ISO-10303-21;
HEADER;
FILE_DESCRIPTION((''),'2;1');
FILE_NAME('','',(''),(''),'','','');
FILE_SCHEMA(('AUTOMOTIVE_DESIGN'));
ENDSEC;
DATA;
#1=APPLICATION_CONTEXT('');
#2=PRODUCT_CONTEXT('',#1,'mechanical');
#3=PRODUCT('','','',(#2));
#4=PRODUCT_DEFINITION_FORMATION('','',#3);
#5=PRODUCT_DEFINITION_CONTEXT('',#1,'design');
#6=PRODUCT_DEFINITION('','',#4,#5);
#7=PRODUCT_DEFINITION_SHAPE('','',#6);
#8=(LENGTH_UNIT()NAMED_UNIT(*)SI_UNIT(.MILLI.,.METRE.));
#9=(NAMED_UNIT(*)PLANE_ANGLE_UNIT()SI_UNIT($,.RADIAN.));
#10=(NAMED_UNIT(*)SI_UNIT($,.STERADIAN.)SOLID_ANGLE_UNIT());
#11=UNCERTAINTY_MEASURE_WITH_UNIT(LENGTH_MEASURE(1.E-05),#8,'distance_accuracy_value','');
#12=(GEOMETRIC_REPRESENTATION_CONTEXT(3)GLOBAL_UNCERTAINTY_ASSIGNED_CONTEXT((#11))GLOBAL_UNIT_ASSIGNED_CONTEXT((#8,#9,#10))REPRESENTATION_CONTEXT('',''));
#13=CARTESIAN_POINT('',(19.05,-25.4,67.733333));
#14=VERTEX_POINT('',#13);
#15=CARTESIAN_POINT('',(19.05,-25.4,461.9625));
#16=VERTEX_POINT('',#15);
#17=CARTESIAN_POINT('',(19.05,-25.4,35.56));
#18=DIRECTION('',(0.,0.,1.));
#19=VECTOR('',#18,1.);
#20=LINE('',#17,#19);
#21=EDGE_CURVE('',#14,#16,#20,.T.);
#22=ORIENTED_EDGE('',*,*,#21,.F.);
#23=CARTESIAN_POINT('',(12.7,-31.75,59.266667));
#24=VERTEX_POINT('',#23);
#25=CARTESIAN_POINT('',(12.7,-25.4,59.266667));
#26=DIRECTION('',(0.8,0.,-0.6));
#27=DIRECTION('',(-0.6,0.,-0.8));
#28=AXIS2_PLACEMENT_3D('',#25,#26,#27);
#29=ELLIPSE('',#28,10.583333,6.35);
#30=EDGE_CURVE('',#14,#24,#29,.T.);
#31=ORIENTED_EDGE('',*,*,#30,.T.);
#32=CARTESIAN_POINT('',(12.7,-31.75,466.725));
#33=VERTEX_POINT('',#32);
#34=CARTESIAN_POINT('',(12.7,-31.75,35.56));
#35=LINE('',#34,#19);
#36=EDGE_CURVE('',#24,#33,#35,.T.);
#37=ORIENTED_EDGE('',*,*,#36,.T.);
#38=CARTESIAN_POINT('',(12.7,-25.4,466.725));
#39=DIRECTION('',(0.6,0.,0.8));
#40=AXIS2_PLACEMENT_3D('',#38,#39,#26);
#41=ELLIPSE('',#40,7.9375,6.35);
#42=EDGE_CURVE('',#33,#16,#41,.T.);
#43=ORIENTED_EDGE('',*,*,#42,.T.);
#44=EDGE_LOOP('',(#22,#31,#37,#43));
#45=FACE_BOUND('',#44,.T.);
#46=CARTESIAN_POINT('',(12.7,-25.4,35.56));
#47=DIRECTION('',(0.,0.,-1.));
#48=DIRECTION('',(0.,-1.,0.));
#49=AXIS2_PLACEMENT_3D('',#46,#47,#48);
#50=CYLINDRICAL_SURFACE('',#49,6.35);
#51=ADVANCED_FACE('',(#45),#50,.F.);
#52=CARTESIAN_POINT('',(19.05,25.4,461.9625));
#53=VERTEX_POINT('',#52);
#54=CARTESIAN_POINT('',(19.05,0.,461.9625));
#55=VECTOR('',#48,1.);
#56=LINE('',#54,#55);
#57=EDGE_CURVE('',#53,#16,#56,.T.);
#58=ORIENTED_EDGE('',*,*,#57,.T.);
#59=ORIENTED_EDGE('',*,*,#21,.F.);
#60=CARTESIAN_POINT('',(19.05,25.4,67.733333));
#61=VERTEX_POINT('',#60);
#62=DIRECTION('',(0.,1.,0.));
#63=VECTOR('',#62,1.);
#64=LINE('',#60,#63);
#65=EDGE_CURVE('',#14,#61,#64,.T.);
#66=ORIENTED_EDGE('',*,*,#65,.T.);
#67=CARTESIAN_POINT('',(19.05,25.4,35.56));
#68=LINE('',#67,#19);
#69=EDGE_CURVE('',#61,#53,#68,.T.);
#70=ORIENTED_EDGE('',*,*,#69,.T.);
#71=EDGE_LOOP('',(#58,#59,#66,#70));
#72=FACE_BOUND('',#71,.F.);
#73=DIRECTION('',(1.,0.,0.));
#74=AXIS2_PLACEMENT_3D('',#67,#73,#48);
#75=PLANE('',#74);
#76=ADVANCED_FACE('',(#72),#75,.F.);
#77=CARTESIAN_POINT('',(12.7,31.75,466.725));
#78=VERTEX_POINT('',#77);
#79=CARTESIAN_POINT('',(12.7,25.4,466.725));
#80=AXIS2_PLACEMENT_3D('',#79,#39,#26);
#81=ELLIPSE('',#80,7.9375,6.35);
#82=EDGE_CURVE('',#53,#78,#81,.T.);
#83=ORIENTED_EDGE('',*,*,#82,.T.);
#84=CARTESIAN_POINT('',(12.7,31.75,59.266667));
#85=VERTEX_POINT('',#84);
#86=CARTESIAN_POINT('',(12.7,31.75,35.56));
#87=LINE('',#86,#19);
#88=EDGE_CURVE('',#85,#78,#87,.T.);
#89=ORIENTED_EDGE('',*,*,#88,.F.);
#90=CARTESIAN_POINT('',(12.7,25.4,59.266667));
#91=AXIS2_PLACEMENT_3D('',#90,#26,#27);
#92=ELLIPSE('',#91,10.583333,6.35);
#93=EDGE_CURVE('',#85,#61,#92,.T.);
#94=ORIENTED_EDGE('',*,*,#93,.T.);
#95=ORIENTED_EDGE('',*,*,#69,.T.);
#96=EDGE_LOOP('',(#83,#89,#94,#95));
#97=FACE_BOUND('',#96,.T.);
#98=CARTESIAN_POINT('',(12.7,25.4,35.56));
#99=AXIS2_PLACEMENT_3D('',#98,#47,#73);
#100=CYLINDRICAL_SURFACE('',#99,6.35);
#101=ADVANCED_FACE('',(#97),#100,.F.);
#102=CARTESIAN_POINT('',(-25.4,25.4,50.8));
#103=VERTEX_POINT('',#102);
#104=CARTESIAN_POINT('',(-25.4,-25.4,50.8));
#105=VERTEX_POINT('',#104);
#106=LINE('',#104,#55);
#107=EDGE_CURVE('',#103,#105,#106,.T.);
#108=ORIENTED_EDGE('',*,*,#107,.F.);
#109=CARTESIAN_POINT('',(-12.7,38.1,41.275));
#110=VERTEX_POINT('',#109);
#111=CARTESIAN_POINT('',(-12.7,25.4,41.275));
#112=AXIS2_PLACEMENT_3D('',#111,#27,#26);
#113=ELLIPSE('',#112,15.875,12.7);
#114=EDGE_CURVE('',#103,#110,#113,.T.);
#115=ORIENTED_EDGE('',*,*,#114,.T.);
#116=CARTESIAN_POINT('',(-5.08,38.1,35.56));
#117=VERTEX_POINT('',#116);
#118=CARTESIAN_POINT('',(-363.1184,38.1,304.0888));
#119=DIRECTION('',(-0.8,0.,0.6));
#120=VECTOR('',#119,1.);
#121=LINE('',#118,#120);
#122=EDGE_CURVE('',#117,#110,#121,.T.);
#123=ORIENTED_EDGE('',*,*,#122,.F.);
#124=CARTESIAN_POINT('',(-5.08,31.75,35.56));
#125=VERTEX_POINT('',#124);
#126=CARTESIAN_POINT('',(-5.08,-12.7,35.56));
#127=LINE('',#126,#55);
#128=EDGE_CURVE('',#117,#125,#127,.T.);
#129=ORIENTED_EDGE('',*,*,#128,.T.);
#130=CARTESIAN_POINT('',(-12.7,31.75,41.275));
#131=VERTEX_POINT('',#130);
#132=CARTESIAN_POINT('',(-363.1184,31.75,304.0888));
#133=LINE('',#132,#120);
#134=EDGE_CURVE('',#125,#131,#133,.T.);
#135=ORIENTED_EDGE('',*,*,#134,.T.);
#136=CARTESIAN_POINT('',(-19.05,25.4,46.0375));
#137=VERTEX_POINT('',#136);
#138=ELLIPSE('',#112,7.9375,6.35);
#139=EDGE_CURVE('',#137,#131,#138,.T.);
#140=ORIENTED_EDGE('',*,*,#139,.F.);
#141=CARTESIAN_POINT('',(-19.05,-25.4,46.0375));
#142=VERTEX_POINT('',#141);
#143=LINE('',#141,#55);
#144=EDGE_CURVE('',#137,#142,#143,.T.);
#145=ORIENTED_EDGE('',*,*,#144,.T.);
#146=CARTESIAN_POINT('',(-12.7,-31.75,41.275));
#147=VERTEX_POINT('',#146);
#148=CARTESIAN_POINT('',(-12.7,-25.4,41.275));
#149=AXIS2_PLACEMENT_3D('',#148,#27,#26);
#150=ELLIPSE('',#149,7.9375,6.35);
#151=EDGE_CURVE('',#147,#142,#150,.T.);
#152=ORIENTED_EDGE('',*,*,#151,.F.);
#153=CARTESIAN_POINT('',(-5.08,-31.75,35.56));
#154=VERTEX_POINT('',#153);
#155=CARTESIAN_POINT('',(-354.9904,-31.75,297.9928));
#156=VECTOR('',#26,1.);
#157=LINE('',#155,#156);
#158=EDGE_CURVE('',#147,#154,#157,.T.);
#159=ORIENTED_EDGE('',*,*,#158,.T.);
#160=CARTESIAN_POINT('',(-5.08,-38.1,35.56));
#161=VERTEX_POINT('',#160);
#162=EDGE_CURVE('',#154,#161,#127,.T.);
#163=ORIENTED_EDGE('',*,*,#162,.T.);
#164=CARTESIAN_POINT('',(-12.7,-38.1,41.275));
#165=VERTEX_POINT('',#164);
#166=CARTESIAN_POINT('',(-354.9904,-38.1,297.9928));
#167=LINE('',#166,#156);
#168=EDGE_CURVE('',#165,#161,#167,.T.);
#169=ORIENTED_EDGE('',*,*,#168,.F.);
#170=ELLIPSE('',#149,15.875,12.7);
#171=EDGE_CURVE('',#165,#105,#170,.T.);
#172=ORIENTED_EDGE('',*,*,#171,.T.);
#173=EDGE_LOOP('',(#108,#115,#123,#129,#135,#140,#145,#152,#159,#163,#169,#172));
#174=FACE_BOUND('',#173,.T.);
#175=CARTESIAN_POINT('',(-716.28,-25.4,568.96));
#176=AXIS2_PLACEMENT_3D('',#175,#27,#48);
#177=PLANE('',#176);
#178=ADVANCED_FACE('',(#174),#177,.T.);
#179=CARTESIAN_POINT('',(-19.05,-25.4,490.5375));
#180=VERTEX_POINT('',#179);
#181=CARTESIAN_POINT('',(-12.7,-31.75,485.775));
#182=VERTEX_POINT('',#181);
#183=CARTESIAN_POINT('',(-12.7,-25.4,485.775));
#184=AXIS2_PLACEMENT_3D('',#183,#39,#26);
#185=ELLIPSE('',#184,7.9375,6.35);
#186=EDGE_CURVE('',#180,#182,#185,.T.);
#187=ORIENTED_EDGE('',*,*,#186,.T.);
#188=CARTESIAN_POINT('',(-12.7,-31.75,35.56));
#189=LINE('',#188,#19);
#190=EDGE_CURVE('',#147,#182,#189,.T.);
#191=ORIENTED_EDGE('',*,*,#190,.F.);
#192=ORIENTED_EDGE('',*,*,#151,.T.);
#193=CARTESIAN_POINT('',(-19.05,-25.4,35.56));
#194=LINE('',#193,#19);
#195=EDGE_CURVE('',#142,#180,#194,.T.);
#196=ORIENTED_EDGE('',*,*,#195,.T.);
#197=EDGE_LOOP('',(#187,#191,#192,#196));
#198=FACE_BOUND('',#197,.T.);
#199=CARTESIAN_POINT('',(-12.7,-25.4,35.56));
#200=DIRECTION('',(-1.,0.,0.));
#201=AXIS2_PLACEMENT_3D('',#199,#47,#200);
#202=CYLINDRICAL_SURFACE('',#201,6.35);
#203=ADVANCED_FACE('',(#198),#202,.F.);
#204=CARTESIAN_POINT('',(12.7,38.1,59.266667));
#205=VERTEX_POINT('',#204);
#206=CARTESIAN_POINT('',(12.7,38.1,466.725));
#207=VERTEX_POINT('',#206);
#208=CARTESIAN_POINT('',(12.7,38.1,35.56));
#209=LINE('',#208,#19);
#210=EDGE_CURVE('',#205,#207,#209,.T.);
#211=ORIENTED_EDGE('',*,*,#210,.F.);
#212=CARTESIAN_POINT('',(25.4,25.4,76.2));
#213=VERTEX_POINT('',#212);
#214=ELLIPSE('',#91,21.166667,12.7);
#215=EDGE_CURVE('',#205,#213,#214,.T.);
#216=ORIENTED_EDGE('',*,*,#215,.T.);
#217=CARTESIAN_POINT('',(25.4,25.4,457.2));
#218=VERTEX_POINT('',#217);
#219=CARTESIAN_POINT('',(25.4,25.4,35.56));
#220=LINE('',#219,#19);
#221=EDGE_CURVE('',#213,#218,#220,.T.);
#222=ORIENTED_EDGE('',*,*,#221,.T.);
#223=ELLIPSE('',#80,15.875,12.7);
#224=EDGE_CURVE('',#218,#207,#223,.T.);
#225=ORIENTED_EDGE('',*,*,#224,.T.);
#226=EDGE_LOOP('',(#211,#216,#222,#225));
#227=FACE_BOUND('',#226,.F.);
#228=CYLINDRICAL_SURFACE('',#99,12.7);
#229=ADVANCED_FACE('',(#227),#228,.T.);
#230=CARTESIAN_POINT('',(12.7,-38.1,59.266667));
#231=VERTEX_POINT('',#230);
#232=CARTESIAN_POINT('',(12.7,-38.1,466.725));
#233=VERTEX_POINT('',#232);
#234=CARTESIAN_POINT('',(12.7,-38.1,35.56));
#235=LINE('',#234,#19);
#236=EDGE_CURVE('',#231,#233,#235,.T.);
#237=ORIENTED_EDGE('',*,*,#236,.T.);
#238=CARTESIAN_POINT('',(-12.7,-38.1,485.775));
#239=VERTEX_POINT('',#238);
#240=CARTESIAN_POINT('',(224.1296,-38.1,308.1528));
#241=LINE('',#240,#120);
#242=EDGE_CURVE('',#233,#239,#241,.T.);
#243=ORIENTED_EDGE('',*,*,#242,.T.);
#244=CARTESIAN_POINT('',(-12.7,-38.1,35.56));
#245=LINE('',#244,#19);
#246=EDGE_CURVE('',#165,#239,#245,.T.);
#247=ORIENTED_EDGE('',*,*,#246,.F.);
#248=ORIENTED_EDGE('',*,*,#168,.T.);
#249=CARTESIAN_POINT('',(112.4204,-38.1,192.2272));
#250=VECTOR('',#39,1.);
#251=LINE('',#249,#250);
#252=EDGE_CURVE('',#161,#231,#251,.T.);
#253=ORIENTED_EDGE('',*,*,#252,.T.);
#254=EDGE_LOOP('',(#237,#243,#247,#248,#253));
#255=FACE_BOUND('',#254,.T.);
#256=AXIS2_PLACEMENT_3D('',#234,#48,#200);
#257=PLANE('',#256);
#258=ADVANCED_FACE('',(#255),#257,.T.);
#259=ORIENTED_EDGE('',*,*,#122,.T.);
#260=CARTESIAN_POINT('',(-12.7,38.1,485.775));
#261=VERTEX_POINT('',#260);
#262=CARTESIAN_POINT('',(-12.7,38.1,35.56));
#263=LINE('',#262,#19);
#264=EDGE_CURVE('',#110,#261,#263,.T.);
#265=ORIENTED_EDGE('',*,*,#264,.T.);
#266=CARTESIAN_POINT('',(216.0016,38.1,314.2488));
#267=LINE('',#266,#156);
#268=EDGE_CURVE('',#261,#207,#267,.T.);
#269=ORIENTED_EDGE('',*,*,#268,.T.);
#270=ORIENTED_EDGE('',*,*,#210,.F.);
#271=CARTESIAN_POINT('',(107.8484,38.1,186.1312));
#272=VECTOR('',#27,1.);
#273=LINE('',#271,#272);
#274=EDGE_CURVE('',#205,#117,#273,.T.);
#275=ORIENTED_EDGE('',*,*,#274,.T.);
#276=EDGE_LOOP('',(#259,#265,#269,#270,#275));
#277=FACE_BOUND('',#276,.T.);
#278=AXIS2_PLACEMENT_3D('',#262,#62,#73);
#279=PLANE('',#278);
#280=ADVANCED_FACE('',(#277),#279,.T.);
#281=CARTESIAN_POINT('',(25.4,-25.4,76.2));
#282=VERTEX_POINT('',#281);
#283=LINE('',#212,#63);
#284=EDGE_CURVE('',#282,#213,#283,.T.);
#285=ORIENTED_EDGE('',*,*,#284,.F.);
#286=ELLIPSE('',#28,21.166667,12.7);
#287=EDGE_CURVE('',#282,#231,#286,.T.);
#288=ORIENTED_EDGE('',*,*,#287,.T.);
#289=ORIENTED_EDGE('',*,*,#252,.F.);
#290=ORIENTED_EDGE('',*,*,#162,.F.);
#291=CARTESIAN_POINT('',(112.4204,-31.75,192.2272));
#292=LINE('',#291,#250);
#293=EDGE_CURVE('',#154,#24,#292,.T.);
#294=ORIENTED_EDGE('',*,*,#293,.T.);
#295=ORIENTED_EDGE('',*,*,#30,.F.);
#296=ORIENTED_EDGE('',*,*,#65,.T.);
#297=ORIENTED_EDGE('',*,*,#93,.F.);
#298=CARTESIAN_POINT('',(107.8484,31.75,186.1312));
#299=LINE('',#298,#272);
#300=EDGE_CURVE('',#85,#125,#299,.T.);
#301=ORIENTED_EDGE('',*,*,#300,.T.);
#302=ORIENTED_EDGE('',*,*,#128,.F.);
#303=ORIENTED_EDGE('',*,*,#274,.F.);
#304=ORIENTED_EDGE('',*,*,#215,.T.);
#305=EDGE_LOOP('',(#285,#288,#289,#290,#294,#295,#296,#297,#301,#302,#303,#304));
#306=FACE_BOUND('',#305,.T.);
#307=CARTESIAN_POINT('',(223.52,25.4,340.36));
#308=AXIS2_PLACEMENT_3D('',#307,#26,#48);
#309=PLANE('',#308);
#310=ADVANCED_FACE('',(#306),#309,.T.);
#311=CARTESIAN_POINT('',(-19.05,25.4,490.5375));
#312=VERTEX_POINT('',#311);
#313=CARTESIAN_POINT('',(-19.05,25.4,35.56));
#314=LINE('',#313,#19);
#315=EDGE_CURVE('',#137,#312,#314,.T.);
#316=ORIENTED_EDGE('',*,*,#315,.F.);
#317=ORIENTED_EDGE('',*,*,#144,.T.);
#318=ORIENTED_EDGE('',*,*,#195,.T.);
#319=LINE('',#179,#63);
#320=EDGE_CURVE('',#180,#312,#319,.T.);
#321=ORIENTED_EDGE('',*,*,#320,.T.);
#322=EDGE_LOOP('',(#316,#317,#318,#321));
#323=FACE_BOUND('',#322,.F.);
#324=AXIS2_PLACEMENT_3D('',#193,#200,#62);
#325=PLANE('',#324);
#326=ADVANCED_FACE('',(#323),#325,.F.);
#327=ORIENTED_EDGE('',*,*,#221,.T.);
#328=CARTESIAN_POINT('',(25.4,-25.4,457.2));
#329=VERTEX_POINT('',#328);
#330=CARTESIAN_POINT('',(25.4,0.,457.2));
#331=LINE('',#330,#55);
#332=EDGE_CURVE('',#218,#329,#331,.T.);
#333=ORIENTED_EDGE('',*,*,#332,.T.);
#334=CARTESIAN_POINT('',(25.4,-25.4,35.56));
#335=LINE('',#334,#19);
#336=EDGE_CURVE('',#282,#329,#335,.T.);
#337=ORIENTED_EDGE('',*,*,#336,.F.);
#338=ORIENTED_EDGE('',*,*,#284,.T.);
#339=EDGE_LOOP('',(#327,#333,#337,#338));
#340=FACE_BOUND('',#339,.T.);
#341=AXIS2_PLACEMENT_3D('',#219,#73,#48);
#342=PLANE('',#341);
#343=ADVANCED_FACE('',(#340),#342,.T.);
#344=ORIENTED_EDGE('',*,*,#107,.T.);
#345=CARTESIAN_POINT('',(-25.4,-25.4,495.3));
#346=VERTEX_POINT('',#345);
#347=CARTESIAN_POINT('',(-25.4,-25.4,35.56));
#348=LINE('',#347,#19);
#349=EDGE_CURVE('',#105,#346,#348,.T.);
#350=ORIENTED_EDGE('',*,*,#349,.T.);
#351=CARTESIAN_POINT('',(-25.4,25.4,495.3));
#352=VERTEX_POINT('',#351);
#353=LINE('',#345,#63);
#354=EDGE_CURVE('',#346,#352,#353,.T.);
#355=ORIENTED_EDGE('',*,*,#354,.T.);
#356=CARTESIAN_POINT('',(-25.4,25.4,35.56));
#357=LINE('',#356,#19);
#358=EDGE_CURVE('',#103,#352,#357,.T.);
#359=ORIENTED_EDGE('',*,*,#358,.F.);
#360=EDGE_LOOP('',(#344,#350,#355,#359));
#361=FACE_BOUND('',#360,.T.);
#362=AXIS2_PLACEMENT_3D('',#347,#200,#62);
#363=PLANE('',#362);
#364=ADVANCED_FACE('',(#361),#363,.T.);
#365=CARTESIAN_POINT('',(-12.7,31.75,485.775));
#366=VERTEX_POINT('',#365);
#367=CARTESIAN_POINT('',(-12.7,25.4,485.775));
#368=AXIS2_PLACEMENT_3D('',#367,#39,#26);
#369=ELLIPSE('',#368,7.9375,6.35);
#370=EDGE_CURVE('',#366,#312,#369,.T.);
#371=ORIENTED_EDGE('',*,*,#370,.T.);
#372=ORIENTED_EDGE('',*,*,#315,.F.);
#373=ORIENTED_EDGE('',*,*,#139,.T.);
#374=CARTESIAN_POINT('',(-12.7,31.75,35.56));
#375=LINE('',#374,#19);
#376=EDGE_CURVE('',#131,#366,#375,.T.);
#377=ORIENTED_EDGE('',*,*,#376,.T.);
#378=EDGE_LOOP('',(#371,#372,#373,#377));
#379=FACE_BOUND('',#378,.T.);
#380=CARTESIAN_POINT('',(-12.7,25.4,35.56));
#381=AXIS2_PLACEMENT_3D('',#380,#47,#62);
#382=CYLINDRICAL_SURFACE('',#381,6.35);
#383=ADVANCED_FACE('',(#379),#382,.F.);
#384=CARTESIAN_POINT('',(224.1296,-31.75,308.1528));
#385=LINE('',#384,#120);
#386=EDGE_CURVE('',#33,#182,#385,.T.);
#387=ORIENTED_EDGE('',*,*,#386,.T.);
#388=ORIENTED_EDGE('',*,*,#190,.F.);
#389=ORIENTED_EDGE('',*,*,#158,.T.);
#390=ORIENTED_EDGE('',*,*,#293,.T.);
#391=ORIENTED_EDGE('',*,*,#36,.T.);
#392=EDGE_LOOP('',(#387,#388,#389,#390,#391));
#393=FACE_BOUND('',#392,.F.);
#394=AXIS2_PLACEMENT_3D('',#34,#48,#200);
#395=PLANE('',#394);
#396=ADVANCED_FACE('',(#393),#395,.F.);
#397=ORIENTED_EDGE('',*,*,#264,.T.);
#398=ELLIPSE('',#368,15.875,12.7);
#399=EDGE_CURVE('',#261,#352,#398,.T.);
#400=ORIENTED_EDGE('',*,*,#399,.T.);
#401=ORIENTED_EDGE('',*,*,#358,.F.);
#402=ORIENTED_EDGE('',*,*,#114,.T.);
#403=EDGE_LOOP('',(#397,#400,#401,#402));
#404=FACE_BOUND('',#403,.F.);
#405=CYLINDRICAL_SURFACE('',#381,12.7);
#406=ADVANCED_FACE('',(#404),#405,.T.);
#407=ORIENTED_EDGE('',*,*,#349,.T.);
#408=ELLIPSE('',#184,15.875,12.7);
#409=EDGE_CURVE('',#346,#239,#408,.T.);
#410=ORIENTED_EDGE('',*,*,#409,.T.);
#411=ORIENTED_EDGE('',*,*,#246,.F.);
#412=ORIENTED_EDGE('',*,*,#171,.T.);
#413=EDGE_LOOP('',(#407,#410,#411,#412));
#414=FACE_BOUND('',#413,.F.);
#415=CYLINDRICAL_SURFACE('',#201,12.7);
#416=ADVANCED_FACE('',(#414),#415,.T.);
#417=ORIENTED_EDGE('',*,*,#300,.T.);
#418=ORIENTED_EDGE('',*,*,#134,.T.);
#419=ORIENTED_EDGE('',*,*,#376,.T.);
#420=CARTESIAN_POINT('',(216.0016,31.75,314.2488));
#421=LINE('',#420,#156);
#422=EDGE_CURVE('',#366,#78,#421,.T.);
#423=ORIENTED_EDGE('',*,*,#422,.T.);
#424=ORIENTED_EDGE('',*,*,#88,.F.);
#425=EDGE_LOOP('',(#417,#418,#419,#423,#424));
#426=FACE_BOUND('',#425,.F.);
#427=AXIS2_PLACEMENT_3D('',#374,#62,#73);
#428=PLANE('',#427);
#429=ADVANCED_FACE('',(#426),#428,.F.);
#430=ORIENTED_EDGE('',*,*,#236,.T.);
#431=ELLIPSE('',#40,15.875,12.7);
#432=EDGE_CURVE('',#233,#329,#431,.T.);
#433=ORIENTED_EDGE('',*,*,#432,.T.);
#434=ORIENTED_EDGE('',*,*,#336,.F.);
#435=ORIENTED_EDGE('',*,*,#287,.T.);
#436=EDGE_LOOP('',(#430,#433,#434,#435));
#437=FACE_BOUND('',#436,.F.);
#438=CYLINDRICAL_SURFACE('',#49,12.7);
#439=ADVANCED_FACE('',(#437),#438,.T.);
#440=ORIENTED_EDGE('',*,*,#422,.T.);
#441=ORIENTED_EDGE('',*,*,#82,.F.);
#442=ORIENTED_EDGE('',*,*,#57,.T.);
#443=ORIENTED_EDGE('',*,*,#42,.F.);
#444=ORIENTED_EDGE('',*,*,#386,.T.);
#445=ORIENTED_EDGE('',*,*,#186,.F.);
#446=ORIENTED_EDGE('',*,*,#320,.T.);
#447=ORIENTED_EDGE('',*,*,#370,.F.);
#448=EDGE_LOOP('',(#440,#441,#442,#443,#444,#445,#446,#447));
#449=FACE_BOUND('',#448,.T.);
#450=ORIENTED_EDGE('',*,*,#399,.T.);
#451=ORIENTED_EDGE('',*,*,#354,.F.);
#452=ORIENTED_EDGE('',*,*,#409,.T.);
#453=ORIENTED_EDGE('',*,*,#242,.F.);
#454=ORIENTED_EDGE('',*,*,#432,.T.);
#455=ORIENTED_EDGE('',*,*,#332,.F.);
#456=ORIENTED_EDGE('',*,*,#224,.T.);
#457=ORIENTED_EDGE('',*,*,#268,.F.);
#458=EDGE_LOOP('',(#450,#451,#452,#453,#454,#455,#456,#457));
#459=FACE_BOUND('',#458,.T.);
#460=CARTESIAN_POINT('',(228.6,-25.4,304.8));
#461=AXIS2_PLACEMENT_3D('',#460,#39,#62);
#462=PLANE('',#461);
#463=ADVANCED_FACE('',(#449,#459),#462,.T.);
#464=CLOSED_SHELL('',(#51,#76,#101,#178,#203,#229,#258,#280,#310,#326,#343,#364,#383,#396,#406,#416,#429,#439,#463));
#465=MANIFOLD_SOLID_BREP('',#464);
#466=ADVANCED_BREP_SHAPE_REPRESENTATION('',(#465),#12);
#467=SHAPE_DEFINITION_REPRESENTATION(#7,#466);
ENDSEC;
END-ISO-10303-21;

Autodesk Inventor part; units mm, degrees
ref_plane "Start Plane" through (0, 0, 35.56) normal (0, 0, 1) x (1, 0, 0)
ref_plane "End Plane" through (0, 0, 495.3) normal (0, 0, 1) x (1, 0, 0)
sketch "Sketch" plane through (0, 0, 0) normal (0, 0, 1) x (1, 0, 0)
  line L0 (-25.4, -25.4) -> (-25.4, 25.4)
  line L1 (-12.7, 38.1) -> (12.7, 38.1)
  line L2 (25.4, 25.4) -> (25.4, -25.4)
  line L3 (12.7, -38.1) -> (-12.7, -38.1)
  arc A0 (-25.4, -25.4) -> (-12.7, -38.1) centre (-12.7, -25.4) ccw
  arc A1 (-12.7, 38.1) -> (-25.4, 25.4) centre (-12.7, 25.4) ccw
  arc A2 (25.4, 25.4) -> (12.7, 38.1) centre (12.7, 25.4) ccw
  arc A3 (12.7, -38.1) -> (25.4, -25.4) centre (12.7, -25.4) ccw
  arc A4 (-12.7, 31.75) -> (-19.05, 25.4) centre (-12.7, 25.4) ccw
  line L4 (-12.7, 31.75) -> (12.7, 31.75)
  arc A5 (19.05, 25.4) -> (12.7, 31.75) centre (12.7, 25.4) ccw
  line L5 (19.05, 25.4) -> (19.05, -25.4)
  arc A6 (12.7, -31.75) -> (19.05, -25.4) centre (12.7, -25.4) ccw
  line L6 (12.7, -31.75) -> (-12.7, -31.75)
  arc A7 (-19.05, -25.4) -> (-12.7, -31.75) centre (-12.7, -25.4) ccw
  line L7 (-19.05, -25.4) -> (-19.05, 25.4)
  line L8 (0, 57.0224) -> (0, -57.0224) construction
  line L9 (-39.2424, 0) -> (39.2424, 0) construction
  dimension "d10" = 76.2
  dimension "d11" = 50.8
  dimension "d12" = 6.35
  dimension "d15" = 38.1
  dimension "d16" = 25.4
  dimension "d17" = 12.7
extrude "Body" add sketch "Sketch" along normal up to surface (459.74 mm away) from surface at 35.56
sketch "Sketch3" plane through (0, 0, 0) normal (0, 0, 1) x (1, 0, 0)
  line L0 (0, 0) -> (10, 0)
ref_plane "Work Plane3" through (0, 0, 0) normal (0, -1, 0) x (1, 0, 0)
ref_plane "Work Plane4" through (-716.28, -25.4, 568.96) normal (-0.6, 0, -0.8) x (-0.8, 0, 0.6)
split "Split1" plane through (-716.28, -25.4, 568.96) removes the side toward (-0.6, 0, -0.8)
ref_plane "Work Plane5" through (228.6, -25.4, 304.8) normal (0.6, 0, 0.8) x (0.8, 0, -0.6)
split "Split2" plane through (228.6, -25.4, 304.8) removes the side toward (0.6, 0, 0.8)
ref_plane "Work Plane6" through (223.52, 25.4, 340.36) normal (0.8, 0, -0.6) x (-0.6, 0, -0.8)
split "Split3" plane through (223.52, 25.4, 340.36) removes the side toward (0.8, 0, -0.6)
sketch "Sketch4" plane through (0, 0, 0) normal (0, -1, 0) x (1, 0, 0)
  line L0 (-2, 35.56) -> (12, 35.56) projected
  line L1 (-2, 495.3) -> (12, 495.3) projected
  dimension "d19" = 459.74
equation "\"d10\" = G_H"
equation "\"d11\" = G_W"
equation "\"d12\" = G_T"
equation "\"d15\" = 0.5 * d10"
equation "\"d16\" = 0.5 * d11"
equation "\"d17\" = G_IR"
equation "\"d3\" = G_L"
equation "\"G_W\" = 50.8"
equation "\"G_H\" = 76.2"
equation "\"G_T\" = 6.35"
equation "\"G_IR\" = 12.7"
equation "\"G_L\" = d19"
equation "\"G_OFFSET_START\" = -35.56"
equation "\"G_OFFSET_END\" = -12.7"
equation "\"d13\" = -G_OFFSET_START"
equation "\"d14\" = G_OFFSET_END + B_L"
equation "\"B_L\" = 508"
properties part number "AISC - 3 x 2 x 1/4 - 18.1" material "Steel, Mild"
